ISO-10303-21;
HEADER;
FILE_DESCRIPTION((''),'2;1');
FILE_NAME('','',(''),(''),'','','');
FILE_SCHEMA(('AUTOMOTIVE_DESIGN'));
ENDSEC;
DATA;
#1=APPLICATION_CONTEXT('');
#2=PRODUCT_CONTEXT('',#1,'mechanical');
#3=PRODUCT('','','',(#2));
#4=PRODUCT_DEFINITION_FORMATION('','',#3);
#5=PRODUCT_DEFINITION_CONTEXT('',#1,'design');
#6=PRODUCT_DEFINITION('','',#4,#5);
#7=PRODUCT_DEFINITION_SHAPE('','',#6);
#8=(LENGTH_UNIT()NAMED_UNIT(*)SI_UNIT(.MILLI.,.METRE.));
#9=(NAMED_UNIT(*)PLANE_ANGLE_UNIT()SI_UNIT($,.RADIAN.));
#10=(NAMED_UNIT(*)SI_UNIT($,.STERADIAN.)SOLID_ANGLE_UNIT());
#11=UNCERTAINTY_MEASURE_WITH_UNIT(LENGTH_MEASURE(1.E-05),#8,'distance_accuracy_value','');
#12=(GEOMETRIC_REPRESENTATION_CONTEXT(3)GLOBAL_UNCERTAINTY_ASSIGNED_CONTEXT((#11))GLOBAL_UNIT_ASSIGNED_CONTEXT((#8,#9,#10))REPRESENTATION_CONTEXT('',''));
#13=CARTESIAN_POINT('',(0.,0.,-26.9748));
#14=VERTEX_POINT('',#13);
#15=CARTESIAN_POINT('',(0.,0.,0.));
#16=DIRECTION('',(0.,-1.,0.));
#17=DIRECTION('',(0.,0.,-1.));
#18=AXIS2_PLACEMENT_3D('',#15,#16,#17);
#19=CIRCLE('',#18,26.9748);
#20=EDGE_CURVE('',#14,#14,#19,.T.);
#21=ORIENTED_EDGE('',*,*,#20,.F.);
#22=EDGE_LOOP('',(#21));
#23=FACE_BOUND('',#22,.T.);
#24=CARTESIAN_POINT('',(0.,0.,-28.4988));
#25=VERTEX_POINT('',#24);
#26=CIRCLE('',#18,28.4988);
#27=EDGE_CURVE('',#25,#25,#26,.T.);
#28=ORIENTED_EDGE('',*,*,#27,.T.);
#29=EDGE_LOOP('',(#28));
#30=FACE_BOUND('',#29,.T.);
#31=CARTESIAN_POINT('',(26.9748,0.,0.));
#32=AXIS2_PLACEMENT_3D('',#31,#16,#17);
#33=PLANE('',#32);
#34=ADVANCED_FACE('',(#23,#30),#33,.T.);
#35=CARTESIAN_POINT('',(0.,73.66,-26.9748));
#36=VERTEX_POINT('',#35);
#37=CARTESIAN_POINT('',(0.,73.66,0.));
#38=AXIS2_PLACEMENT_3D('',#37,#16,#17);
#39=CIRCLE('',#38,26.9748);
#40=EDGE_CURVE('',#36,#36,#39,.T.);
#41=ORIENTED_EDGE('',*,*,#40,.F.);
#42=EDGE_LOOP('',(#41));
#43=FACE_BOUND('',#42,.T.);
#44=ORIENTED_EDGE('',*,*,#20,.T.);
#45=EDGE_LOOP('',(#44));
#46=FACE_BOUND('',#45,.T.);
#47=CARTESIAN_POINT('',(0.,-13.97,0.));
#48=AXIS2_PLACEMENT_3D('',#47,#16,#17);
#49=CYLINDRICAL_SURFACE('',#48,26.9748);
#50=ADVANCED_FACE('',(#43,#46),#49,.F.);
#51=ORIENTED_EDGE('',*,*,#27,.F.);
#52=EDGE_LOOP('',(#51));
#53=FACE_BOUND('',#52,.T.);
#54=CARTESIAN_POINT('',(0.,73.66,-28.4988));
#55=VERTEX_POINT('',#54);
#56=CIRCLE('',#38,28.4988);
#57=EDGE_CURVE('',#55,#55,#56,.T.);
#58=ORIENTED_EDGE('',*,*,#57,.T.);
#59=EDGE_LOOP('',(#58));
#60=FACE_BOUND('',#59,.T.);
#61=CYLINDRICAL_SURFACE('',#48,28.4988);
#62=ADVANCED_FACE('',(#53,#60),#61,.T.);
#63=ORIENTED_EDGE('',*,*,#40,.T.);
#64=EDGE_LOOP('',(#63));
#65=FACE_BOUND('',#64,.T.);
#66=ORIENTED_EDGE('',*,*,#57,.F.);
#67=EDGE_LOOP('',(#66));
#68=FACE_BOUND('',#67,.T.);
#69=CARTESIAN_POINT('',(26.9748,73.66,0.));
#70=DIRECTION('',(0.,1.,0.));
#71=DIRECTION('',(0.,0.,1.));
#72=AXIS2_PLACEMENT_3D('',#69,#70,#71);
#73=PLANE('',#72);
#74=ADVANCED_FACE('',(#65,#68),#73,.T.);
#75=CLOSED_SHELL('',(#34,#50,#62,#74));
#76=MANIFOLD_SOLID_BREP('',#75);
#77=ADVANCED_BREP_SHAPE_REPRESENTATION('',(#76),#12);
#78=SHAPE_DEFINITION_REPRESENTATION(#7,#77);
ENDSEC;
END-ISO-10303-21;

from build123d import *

# Parameters (mm, degrees)
SKETCH1_W = 1.524
SKETCH1_H = 73.66


with BuildPart() as part:
    # Sketch1 → Revolve1 (revolve)
    with BuildSketch(Plane.XY):
        with Locations((27.7368, 36.83)):
            Rectangle(SKETCH1_W, SKETCH1_H)
    revolve(axis=Axis((0, -13.97, 0), (0, 1, 0)))


solid = part.part
